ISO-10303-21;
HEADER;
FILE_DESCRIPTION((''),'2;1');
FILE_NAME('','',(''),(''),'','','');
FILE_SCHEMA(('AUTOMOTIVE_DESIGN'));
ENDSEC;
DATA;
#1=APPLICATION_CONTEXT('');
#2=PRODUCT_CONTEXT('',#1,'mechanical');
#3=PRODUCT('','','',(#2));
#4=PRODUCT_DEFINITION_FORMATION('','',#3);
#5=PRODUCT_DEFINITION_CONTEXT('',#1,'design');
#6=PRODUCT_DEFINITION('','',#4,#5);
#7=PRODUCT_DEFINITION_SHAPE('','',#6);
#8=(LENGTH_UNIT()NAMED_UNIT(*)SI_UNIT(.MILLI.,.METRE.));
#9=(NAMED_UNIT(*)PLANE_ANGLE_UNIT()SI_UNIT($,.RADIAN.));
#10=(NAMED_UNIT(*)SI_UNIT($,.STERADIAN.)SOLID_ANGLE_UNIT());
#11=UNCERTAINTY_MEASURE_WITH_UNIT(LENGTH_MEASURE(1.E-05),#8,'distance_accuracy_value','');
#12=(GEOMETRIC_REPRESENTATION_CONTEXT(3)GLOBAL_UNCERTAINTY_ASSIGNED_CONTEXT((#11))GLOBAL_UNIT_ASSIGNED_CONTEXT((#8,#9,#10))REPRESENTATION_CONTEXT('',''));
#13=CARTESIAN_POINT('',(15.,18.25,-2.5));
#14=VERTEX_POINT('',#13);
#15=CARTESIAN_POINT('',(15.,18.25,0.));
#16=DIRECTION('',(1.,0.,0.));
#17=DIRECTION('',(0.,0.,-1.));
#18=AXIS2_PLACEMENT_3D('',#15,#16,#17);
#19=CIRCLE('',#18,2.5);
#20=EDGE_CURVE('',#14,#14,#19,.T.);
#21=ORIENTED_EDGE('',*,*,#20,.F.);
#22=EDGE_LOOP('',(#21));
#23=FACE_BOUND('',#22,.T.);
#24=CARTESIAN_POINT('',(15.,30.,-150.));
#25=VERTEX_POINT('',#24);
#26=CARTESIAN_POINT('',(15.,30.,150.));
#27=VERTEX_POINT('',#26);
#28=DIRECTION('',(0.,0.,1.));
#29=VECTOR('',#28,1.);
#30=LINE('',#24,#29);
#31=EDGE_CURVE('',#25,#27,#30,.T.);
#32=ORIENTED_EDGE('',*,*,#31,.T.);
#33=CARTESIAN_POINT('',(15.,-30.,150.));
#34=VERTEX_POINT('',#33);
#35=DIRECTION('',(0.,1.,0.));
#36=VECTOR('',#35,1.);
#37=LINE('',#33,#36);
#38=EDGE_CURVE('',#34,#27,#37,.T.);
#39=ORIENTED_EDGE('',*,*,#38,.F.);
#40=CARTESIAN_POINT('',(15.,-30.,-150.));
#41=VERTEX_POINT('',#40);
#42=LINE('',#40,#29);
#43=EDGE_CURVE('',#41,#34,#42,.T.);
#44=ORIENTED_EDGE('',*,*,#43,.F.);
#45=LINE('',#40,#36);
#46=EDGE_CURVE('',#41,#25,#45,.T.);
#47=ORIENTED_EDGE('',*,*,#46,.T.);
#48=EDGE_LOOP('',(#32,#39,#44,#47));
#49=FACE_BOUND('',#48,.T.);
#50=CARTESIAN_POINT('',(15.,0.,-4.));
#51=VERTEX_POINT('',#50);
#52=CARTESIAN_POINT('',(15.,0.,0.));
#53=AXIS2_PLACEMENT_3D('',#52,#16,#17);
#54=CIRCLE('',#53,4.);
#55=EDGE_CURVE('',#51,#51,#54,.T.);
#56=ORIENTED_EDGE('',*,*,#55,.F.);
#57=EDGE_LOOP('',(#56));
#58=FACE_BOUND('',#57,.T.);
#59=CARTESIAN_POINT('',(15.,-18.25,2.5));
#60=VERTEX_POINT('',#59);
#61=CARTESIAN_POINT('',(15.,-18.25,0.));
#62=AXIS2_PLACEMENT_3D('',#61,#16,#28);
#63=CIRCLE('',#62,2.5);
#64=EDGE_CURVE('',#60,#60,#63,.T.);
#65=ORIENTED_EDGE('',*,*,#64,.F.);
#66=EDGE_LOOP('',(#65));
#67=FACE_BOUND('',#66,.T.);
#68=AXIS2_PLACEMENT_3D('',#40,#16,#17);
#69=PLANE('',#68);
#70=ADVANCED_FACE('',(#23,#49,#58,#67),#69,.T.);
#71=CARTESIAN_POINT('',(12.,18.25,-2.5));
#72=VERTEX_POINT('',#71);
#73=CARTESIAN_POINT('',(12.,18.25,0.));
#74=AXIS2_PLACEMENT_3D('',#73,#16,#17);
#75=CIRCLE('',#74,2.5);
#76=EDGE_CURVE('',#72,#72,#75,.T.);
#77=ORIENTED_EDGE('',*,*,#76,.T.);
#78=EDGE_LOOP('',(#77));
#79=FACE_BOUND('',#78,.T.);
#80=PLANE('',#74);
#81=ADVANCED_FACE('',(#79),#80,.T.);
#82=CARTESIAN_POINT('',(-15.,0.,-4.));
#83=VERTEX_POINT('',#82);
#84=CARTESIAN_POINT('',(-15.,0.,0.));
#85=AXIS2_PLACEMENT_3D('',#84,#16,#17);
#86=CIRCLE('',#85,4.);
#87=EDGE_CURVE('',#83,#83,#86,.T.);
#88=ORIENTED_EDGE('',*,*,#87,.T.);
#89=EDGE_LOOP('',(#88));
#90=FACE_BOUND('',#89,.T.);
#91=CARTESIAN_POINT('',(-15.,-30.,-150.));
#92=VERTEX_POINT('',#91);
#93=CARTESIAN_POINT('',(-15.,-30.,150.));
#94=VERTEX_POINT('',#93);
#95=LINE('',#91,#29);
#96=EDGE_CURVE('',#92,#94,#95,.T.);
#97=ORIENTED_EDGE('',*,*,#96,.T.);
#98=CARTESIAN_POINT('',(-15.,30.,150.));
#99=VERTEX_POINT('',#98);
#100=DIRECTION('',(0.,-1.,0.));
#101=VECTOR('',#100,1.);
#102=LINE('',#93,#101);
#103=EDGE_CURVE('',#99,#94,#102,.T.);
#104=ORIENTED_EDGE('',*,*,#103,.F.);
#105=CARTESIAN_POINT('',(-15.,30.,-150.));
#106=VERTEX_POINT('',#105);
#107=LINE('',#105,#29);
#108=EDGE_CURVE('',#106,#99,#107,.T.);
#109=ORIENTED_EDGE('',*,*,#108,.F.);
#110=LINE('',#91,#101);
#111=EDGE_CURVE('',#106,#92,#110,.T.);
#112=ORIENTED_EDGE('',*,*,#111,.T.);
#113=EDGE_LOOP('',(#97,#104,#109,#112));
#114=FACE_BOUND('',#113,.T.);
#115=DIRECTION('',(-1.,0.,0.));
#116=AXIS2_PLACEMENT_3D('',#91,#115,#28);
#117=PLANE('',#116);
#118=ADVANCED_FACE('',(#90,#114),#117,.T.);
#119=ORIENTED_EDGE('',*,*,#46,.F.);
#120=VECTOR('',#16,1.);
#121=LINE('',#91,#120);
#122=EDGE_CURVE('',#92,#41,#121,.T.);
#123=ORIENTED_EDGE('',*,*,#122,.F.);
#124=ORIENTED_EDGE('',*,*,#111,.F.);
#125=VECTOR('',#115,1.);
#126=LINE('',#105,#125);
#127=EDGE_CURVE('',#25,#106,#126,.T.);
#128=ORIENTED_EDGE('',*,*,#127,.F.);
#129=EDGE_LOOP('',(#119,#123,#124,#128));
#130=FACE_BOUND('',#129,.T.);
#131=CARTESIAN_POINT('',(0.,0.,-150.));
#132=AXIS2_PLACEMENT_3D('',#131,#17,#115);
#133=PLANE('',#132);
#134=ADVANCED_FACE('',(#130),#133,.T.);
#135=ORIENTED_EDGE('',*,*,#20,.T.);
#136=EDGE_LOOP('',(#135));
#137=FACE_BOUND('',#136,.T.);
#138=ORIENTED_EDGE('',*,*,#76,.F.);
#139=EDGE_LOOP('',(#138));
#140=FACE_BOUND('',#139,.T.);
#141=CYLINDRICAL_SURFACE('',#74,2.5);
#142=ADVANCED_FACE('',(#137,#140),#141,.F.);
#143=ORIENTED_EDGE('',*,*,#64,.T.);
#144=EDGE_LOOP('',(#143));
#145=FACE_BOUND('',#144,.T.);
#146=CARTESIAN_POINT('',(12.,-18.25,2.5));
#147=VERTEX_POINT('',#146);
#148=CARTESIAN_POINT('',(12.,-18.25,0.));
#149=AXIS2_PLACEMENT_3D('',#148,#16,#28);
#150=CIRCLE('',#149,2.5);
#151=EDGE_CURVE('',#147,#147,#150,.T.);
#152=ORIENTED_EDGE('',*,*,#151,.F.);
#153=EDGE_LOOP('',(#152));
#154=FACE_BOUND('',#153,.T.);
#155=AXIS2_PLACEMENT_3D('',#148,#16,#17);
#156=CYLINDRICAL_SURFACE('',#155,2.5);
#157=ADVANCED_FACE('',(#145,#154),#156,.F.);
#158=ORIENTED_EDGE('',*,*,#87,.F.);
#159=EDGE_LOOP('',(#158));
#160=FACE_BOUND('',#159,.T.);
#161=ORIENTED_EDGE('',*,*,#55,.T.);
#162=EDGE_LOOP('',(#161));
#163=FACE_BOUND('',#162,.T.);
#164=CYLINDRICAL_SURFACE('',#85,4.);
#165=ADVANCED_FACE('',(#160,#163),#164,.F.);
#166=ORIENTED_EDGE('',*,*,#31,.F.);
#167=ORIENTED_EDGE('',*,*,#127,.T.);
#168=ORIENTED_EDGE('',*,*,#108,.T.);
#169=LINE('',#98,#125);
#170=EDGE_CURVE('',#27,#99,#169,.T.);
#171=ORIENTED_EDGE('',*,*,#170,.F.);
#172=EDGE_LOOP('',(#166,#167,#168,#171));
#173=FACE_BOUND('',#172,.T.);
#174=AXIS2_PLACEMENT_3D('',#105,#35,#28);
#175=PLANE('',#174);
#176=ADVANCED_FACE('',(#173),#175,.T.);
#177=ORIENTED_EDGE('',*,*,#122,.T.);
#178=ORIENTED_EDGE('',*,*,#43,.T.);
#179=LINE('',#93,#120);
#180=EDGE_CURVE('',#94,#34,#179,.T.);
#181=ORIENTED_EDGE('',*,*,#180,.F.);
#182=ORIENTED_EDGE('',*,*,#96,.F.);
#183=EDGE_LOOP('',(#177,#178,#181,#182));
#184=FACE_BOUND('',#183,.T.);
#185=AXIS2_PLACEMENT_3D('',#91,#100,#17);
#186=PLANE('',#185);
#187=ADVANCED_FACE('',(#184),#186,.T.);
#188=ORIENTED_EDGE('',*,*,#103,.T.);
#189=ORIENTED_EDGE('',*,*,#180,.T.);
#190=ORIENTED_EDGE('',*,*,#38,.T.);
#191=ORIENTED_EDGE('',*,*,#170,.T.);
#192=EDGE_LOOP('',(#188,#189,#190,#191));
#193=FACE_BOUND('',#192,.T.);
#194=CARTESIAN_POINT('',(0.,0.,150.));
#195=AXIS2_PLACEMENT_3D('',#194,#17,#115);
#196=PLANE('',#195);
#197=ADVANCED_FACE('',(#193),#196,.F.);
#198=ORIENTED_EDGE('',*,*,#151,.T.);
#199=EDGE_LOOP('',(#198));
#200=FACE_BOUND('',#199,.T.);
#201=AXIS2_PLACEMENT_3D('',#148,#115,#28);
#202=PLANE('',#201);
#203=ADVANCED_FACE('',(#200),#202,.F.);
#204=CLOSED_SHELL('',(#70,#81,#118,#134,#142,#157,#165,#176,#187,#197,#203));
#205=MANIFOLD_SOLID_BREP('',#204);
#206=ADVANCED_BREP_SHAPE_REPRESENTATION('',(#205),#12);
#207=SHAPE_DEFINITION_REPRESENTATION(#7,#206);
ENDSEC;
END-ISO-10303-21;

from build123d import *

# Parameters (mm, degrees)
BOSS_EXTRUDE1_DEPTH      = 150
BOSS_EXTRUDE1_DEPTH_BACK = 150
SKETCH1_W                = 30
SKETCH1_H                = 60
SKETCH2_R                = 2.5
CUT_EXTRUDE1_DEPTH       = 3
SKETCH3_R                = 4
CUT_EXTRUDE2_DEPTH       = 156.884572681


with BuildPart() as part:
    # Sketch1 → Boss-Extrude1 (new, two sides: drawn at the far end of the back side and taken through both)
    with BuildSketch(Plane.XY.offset(-BOSS_EXTRUDE1_DEPTH_BACK)):
        Rectangle(SKETCH1_W, SKETCH1_H)
    extrude(amount=BOSS_EXTRUDE1_DEPTH + BOSS_EXTRUDE1_DEPTH_BACK)

    # Sketch2 → Cut-Extrude1 (cut)
    with BuildSketch(Plane(origin=(15, 0, 0), x_dir=(0, 0, -1), z_dir=(1, 0, 0))):
        with Locations((0, 18.25)):
            Circle(SKETCH2_R)
        with Locations((0, -18.25)):
            Circle(SKETCH2_R)
    extrude(amount=-CUT_EXTRUDE1_DEPTH, mode=Mode.SUBTRACT)

    # Sketch3 → Cut-Extrude2 (cut, through all)
    with BuildSketch(Plane(origin=(15, 0, 0), x_dir=(0, 0, -1), z_dir=(1, 0, 0))):
        Circle(SKETCH3_R)
    extrude(amount=-CUT_EXTRUDE2_DEPTH, mode=Mode.SUBTRACT)


solid = part.part
